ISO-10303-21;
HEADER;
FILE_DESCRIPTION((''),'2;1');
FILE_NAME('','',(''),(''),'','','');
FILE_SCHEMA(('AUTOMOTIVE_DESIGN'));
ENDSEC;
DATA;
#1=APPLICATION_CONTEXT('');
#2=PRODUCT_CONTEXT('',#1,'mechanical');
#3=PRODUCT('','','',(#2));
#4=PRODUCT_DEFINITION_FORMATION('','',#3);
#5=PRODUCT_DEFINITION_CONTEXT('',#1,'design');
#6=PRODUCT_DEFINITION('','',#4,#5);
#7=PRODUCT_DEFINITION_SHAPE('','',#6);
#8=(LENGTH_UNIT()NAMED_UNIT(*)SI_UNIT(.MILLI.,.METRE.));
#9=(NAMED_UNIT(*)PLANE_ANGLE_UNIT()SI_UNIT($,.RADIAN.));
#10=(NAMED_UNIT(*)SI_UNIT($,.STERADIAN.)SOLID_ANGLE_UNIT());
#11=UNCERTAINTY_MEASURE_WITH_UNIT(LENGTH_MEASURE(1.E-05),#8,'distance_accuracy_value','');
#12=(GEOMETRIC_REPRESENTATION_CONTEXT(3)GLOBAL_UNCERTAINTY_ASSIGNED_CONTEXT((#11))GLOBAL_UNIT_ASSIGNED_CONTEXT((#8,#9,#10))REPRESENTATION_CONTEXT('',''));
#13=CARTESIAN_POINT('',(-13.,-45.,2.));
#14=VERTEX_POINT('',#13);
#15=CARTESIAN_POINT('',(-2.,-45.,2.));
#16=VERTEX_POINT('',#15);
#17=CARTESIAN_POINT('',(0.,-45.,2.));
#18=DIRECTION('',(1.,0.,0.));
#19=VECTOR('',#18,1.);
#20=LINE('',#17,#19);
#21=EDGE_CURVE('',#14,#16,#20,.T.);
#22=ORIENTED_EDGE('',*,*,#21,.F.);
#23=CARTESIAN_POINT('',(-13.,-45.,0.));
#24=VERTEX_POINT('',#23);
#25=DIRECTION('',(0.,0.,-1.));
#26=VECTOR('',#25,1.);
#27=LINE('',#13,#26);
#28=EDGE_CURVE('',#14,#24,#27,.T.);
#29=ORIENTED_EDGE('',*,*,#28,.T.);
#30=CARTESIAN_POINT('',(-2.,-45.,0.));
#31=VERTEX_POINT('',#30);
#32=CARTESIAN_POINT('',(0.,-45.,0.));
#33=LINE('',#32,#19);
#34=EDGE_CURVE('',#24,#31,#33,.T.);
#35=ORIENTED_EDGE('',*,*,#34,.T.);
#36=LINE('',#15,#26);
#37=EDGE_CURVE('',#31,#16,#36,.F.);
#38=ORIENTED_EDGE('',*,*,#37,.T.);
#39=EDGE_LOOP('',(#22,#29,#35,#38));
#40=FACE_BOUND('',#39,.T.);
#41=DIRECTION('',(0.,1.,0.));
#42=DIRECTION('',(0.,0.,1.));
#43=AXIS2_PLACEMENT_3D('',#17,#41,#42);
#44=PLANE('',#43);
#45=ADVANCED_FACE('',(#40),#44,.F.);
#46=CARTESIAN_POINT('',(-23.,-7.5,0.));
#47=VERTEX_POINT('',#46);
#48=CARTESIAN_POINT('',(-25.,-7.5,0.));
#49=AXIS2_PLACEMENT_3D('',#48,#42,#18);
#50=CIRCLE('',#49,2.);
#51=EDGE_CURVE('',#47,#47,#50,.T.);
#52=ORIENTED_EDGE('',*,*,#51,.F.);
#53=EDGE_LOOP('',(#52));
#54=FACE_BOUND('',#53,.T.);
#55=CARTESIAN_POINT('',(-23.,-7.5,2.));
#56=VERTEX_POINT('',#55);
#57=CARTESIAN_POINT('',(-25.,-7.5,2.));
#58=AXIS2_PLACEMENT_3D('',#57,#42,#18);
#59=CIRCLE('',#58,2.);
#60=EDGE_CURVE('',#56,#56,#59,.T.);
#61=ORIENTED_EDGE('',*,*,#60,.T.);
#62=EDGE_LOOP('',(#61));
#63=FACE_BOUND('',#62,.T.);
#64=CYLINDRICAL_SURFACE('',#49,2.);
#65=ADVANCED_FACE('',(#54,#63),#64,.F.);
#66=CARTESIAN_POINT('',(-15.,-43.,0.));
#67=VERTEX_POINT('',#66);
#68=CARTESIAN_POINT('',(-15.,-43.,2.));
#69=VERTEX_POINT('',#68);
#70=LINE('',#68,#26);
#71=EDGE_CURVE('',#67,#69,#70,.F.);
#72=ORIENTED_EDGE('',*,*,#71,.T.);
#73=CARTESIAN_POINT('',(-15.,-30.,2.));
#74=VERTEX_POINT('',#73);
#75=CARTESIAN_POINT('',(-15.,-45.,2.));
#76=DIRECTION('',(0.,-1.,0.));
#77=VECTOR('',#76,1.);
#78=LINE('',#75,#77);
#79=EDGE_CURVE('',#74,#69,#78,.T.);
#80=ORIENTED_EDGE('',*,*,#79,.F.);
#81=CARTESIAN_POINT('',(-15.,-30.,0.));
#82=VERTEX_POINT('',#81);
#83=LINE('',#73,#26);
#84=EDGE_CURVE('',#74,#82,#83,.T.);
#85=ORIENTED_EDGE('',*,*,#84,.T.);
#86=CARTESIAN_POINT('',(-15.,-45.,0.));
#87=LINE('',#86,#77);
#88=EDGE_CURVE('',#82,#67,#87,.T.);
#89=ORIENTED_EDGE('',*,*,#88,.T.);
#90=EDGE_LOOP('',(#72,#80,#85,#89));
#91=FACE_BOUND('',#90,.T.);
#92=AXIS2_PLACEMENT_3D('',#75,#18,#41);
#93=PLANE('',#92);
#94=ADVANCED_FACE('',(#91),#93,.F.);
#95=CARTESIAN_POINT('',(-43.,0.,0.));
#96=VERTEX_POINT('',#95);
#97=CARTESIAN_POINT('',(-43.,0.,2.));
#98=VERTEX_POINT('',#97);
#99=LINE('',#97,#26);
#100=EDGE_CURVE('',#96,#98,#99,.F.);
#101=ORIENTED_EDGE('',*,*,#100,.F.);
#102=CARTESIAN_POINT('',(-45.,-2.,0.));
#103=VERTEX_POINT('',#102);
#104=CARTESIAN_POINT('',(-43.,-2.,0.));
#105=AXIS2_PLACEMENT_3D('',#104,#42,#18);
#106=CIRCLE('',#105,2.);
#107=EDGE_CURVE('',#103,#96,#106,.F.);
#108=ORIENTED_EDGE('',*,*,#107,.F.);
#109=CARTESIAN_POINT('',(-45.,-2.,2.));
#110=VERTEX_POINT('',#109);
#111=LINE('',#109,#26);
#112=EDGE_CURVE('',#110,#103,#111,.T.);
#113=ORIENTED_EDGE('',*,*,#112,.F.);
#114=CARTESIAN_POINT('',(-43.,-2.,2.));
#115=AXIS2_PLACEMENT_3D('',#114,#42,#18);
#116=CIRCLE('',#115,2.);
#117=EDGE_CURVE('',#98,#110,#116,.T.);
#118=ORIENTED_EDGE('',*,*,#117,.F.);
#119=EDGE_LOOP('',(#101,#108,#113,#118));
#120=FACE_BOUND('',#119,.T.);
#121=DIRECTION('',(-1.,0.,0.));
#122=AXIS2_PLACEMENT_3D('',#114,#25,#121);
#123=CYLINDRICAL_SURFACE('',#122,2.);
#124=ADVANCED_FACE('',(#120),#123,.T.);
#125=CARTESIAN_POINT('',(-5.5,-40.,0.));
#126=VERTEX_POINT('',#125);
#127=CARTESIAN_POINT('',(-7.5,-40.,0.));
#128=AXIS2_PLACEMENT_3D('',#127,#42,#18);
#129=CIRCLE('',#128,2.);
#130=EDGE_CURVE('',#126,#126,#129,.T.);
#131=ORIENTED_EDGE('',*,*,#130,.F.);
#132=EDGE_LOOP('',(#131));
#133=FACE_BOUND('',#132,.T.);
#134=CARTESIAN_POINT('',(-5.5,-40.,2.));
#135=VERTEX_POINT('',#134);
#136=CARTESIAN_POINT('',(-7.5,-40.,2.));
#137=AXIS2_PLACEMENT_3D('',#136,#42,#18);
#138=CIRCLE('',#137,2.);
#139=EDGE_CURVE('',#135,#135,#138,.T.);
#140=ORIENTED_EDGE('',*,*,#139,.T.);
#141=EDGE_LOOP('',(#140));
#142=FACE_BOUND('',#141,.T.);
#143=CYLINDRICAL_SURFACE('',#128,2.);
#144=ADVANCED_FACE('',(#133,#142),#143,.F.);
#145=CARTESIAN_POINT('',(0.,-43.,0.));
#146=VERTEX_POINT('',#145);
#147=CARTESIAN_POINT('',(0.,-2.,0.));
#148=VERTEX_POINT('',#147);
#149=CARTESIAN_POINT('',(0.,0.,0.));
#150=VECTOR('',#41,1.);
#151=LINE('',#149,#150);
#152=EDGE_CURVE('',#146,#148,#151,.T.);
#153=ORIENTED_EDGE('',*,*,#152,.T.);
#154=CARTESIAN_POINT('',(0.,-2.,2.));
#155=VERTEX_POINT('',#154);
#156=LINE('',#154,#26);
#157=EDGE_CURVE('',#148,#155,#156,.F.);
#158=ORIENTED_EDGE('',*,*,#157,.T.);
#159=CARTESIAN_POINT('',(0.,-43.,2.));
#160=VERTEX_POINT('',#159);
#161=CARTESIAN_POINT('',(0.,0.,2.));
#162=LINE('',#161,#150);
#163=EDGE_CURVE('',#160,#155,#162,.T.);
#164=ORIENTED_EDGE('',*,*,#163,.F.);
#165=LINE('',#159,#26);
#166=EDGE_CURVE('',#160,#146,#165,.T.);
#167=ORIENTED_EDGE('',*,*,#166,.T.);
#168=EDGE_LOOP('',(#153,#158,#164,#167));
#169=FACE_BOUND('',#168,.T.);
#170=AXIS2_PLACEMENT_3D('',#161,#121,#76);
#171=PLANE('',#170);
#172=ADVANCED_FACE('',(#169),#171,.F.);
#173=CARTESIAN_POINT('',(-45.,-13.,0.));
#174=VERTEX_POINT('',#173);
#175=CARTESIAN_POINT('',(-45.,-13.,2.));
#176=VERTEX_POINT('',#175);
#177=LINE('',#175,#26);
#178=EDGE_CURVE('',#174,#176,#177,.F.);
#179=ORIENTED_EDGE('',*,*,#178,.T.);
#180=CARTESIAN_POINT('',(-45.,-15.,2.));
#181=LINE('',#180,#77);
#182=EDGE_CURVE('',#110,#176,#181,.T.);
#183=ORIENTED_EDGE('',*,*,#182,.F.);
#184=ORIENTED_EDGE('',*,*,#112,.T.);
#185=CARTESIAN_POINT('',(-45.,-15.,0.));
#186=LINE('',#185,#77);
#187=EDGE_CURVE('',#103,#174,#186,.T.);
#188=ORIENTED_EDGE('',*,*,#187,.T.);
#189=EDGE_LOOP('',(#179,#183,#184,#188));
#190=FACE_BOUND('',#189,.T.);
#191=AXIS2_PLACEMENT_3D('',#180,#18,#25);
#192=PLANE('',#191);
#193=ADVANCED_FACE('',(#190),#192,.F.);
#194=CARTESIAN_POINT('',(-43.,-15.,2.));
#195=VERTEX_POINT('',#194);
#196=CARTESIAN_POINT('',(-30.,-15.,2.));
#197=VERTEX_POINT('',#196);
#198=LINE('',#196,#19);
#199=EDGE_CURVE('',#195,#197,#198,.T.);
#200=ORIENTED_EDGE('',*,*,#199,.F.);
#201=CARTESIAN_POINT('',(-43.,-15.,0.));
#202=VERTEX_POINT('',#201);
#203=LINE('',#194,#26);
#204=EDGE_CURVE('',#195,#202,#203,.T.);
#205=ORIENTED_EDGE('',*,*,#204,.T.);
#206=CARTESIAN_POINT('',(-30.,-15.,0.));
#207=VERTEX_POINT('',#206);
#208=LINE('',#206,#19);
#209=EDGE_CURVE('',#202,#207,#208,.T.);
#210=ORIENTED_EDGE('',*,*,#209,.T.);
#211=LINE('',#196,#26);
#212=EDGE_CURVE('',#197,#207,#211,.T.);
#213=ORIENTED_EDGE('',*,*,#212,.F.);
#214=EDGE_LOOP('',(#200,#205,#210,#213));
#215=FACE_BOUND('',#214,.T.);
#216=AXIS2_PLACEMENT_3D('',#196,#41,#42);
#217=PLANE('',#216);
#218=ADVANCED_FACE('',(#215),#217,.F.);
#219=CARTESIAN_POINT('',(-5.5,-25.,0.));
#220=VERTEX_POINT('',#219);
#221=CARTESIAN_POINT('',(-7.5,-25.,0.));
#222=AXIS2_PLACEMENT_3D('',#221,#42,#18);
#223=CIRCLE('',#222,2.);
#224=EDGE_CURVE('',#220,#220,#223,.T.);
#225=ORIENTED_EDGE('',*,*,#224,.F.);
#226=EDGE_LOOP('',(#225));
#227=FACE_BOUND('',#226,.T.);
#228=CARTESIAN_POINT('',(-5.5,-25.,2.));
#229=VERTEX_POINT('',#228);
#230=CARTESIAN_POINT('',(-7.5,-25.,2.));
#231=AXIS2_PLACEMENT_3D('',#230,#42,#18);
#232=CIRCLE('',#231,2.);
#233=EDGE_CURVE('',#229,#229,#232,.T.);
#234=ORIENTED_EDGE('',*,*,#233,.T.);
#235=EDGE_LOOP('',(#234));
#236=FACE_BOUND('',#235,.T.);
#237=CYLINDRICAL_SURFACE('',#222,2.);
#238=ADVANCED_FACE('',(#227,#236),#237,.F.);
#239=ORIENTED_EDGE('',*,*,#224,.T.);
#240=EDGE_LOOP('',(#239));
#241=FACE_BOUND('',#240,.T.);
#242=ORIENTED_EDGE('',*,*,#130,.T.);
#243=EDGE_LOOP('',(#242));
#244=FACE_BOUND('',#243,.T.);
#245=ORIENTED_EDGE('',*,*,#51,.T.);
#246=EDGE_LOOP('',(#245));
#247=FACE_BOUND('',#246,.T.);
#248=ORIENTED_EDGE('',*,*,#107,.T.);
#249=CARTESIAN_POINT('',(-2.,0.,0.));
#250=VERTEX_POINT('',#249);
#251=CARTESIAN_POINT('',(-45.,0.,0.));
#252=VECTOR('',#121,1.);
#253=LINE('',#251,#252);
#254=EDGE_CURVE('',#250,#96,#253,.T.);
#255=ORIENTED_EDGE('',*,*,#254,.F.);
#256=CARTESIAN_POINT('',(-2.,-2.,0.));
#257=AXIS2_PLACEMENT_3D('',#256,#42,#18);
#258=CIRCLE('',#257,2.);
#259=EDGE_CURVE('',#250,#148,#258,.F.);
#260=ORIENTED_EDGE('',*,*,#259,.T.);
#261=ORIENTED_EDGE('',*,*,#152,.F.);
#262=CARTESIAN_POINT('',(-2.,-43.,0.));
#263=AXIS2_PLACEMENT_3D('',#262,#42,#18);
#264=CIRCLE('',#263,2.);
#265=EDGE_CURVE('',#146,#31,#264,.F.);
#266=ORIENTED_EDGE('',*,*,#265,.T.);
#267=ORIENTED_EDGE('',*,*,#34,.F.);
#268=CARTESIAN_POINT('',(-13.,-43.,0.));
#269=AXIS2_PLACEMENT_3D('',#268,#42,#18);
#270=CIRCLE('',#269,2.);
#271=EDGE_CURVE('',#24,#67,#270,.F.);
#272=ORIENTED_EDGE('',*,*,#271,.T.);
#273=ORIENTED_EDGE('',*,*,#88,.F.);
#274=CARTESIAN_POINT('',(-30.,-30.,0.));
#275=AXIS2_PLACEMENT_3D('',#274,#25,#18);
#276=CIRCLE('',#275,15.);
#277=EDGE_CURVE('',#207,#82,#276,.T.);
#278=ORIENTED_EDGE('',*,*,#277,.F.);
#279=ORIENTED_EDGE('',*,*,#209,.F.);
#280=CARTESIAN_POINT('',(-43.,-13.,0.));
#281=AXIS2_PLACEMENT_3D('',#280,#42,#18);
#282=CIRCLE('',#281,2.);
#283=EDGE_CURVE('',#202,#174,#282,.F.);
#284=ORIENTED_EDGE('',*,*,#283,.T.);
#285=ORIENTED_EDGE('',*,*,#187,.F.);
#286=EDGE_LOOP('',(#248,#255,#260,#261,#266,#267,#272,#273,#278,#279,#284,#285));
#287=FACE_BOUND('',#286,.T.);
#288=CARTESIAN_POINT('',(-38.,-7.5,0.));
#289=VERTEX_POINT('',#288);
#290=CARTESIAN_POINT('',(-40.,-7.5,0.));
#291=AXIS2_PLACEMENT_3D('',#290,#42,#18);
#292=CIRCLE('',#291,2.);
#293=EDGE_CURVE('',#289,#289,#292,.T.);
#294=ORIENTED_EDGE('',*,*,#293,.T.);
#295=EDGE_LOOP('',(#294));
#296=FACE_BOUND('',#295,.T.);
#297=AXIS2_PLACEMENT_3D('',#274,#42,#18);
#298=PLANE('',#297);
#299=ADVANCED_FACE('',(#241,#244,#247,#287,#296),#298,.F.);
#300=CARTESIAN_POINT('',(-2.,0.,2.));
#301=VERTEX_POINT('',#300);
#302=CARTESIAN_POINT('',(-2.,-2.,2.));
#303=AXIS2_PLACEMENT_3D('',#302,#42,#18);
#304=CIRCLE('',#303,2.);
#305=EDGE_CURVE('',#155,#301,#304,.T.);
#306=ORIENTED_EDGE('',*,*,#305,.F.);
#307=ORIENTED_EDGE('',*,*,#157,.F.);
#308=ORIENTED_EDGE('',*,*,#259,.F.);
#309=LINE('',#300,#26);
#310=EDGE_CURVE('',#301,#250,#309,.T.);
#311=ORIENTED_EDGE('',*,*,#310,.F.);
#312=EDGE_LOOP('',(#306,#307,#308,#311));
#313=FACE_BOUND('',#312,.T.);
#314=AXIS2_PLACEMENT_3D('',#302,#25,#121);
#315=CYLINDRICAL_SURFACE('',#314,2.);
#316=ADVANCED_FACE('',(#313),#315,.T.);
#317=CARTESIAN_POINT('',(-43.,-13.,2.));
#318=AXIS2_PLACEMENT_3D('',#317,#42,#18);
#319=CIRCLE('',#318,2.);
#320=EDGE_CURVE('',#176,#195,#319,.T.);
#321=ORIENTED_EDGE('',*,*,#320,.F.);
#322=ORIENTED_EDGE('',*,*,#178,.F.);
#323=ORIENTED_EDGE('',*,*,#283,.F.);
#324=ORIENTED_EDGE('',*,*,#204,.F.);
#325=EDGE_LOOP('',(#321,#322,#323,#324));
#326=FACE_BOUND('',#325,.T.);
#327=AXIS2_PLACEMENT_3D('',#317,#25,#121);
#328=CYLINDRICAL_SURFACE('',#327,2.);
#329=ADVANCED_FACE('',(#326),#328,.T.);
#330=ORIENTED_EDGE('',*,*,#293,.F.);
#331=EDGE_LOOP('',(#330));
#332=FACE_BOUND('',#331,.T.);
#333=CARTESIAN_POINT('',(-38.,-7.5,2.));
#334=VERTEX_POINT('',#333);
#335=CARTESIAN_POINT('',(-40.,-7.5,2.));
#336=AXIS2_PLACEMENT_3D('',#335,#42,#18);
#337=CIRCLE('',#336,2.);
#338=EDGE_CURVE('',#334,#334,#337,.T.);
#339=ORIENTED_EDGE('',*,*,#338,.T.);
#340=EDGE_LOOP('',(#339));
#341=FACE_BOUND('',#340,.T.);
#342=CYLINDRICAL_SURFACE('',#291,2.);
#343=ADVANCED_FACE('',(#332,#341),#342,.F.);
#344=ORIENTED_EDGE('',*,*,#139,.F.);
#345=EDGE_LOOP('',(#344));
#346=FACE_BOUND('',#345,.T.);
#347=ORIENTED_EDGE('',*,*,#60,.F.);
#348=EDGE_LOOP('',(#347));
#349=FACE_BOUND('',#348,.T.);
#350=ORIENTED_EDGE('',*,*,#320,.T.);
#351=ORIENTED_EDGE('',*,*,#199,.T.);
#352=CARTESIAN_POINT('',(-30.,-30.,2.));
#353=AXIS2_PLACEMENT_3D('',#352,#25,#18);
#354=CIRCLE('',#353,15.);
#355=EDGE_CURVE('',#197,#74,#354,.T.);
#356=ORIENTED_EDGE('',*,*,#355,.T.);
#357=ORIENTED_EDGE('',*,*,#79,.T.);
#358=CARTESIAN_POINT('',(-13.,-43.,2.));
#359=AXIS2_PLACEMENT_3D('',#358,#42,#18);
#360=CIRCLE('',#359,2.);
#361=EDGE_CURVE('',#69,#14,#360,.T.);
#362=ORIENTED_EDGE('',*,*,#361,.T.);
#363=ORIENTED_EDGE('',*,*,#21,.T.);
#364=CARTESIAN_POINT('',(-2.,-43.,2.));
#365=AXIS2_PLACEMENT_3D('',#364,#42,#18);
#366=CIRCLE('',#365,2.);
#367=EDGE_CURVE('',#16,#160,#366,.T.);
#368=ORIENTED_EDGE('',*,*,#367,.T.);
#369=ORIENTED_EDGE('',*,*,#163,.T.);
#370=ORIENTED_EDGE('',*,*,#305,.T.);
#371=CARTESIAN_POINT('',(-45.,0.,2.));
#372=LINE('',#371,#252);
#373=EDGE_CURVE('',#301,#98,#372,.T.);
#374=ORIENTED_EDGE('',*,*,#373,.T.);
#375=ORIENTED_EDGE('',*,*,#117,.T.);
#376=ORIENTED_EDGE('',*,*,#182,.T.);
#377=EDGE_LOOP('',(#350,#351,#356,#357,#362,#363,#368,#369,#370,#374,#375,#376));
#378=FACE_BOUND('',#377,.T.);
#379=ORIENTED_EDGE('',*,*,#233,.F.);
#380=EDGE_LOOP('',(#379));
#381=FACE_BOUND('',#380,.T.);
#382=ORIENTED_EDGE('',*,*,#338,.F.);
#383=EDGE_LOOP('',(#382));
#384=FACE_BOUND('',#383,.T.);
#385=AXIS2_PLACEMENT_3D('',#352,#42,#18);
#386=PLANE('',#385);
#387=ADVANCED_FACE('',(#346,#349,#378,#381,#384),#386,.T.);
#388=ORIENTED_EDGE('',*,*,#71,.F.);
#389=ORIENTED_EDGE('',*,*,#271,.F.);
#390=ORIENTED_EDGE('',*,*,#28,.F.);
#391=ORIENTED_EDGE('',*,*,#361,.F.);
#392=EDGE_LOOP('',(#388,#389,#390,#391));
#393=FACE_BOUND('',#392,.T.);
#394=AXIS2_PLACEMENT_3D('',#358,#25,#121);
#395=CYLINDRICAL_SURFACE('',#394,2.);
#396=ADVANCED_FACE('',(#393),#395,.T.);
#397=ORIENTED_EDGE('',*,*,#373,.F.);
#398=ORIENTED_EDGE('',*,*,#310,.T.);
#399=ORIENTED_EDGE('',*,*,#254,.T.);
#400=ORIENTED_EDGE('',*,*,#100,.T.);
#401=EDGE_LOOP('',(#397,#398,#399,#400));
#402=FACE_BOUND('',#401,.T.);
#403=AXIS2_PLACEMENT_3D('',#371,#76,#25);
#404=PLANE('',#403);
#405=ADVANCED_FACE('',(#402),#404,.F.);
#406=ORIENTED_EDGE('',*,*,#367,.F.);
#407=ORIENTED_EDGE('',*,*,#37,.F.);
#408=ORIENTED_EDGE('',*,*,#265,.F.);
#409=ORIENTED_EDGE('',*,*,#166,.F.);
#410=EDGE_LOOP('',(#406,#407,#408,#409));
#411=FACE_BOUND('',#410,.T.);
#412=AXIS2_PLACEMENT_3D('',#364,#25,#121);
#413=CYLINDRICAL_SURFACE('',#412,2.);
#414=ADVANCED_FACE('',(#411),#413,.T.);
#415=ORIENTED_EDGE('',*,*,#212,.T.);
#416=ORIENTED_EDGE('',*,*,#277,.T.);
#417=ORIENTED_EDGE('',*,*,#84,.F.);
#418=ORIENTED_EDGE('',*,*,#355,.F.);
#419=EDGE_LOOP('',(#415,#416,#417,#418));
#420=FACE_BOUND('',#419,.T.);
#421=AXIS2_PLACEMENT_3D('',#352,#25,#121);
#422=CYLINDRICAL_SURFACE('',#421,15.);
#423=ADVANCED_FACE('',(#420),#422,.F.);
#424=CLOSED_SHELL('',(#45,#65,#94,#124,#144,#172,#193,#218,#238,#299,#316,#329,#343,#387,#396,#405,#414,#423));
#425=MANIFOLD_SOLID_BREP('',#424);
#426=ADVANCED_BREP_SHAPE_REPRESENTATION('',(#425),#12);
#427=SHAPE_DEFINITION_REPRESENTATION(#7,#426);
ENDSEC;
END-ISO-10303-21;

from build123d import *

# Parameters (mm, degrees)
EXTRUDE_1_DEPTH     = 2
SKETCH_2_R          = 2
CUT_EXTRUDE_1_DEPTH = 2
FILLET_1_R          = 2


with BuildPart() as part:
    # 草图1 → 凸台-拉伸1 (new body)
    with BuildSketch(Plane.XY):
        with BuildLine():
            Line((0, 0), (0, -45))
            Line((0, -45), (-15, -45))
            Line((-15, -45), (-15, -30))
            ThreePointArc((-15, -30), (-19.393398282, -19.393398282), (-30, -15))
            Line((-30, -15), (-45, -15))
            Line((-45, -15), (-45, 0))
            Line((-45, 0), (0, 0))
        make_face()
    extrude(amount=EXTRUDE_1_DEPTH)

    # 草图2 → 切除-拉伸1 (cut)
    with BuildSketch(Plane.XY.offset(2)):
        with Locations((-7.5, -40)):
            Circle(SKETCH_2_R)
        with Locations((-7.5, -25)):
            Circle(SKETCH_2_R)
        with Locations((-25, -7.5)):
            Circle(SKETCH_2_R)
        with Locations((-40, -7.5)):
            Circle(SKETCH_2_R)
    extrude(amount=-CUT_EXTRUDE_1_DEPTH, mode=Mode.SUBTRACT)

    # 圆角1
    fillet_1_edges = [part.edges().sort_by_distance(p)[0] for p in [
        (0, 0, 1),
        (0, -45, 1),
        (-15, -45, 1),
        (-45, -15, 1),
        (-45, 0, 1),
    ]]
    fillet(fillet_1_edges, radius=FILLET_1_R)


solid = part.part
